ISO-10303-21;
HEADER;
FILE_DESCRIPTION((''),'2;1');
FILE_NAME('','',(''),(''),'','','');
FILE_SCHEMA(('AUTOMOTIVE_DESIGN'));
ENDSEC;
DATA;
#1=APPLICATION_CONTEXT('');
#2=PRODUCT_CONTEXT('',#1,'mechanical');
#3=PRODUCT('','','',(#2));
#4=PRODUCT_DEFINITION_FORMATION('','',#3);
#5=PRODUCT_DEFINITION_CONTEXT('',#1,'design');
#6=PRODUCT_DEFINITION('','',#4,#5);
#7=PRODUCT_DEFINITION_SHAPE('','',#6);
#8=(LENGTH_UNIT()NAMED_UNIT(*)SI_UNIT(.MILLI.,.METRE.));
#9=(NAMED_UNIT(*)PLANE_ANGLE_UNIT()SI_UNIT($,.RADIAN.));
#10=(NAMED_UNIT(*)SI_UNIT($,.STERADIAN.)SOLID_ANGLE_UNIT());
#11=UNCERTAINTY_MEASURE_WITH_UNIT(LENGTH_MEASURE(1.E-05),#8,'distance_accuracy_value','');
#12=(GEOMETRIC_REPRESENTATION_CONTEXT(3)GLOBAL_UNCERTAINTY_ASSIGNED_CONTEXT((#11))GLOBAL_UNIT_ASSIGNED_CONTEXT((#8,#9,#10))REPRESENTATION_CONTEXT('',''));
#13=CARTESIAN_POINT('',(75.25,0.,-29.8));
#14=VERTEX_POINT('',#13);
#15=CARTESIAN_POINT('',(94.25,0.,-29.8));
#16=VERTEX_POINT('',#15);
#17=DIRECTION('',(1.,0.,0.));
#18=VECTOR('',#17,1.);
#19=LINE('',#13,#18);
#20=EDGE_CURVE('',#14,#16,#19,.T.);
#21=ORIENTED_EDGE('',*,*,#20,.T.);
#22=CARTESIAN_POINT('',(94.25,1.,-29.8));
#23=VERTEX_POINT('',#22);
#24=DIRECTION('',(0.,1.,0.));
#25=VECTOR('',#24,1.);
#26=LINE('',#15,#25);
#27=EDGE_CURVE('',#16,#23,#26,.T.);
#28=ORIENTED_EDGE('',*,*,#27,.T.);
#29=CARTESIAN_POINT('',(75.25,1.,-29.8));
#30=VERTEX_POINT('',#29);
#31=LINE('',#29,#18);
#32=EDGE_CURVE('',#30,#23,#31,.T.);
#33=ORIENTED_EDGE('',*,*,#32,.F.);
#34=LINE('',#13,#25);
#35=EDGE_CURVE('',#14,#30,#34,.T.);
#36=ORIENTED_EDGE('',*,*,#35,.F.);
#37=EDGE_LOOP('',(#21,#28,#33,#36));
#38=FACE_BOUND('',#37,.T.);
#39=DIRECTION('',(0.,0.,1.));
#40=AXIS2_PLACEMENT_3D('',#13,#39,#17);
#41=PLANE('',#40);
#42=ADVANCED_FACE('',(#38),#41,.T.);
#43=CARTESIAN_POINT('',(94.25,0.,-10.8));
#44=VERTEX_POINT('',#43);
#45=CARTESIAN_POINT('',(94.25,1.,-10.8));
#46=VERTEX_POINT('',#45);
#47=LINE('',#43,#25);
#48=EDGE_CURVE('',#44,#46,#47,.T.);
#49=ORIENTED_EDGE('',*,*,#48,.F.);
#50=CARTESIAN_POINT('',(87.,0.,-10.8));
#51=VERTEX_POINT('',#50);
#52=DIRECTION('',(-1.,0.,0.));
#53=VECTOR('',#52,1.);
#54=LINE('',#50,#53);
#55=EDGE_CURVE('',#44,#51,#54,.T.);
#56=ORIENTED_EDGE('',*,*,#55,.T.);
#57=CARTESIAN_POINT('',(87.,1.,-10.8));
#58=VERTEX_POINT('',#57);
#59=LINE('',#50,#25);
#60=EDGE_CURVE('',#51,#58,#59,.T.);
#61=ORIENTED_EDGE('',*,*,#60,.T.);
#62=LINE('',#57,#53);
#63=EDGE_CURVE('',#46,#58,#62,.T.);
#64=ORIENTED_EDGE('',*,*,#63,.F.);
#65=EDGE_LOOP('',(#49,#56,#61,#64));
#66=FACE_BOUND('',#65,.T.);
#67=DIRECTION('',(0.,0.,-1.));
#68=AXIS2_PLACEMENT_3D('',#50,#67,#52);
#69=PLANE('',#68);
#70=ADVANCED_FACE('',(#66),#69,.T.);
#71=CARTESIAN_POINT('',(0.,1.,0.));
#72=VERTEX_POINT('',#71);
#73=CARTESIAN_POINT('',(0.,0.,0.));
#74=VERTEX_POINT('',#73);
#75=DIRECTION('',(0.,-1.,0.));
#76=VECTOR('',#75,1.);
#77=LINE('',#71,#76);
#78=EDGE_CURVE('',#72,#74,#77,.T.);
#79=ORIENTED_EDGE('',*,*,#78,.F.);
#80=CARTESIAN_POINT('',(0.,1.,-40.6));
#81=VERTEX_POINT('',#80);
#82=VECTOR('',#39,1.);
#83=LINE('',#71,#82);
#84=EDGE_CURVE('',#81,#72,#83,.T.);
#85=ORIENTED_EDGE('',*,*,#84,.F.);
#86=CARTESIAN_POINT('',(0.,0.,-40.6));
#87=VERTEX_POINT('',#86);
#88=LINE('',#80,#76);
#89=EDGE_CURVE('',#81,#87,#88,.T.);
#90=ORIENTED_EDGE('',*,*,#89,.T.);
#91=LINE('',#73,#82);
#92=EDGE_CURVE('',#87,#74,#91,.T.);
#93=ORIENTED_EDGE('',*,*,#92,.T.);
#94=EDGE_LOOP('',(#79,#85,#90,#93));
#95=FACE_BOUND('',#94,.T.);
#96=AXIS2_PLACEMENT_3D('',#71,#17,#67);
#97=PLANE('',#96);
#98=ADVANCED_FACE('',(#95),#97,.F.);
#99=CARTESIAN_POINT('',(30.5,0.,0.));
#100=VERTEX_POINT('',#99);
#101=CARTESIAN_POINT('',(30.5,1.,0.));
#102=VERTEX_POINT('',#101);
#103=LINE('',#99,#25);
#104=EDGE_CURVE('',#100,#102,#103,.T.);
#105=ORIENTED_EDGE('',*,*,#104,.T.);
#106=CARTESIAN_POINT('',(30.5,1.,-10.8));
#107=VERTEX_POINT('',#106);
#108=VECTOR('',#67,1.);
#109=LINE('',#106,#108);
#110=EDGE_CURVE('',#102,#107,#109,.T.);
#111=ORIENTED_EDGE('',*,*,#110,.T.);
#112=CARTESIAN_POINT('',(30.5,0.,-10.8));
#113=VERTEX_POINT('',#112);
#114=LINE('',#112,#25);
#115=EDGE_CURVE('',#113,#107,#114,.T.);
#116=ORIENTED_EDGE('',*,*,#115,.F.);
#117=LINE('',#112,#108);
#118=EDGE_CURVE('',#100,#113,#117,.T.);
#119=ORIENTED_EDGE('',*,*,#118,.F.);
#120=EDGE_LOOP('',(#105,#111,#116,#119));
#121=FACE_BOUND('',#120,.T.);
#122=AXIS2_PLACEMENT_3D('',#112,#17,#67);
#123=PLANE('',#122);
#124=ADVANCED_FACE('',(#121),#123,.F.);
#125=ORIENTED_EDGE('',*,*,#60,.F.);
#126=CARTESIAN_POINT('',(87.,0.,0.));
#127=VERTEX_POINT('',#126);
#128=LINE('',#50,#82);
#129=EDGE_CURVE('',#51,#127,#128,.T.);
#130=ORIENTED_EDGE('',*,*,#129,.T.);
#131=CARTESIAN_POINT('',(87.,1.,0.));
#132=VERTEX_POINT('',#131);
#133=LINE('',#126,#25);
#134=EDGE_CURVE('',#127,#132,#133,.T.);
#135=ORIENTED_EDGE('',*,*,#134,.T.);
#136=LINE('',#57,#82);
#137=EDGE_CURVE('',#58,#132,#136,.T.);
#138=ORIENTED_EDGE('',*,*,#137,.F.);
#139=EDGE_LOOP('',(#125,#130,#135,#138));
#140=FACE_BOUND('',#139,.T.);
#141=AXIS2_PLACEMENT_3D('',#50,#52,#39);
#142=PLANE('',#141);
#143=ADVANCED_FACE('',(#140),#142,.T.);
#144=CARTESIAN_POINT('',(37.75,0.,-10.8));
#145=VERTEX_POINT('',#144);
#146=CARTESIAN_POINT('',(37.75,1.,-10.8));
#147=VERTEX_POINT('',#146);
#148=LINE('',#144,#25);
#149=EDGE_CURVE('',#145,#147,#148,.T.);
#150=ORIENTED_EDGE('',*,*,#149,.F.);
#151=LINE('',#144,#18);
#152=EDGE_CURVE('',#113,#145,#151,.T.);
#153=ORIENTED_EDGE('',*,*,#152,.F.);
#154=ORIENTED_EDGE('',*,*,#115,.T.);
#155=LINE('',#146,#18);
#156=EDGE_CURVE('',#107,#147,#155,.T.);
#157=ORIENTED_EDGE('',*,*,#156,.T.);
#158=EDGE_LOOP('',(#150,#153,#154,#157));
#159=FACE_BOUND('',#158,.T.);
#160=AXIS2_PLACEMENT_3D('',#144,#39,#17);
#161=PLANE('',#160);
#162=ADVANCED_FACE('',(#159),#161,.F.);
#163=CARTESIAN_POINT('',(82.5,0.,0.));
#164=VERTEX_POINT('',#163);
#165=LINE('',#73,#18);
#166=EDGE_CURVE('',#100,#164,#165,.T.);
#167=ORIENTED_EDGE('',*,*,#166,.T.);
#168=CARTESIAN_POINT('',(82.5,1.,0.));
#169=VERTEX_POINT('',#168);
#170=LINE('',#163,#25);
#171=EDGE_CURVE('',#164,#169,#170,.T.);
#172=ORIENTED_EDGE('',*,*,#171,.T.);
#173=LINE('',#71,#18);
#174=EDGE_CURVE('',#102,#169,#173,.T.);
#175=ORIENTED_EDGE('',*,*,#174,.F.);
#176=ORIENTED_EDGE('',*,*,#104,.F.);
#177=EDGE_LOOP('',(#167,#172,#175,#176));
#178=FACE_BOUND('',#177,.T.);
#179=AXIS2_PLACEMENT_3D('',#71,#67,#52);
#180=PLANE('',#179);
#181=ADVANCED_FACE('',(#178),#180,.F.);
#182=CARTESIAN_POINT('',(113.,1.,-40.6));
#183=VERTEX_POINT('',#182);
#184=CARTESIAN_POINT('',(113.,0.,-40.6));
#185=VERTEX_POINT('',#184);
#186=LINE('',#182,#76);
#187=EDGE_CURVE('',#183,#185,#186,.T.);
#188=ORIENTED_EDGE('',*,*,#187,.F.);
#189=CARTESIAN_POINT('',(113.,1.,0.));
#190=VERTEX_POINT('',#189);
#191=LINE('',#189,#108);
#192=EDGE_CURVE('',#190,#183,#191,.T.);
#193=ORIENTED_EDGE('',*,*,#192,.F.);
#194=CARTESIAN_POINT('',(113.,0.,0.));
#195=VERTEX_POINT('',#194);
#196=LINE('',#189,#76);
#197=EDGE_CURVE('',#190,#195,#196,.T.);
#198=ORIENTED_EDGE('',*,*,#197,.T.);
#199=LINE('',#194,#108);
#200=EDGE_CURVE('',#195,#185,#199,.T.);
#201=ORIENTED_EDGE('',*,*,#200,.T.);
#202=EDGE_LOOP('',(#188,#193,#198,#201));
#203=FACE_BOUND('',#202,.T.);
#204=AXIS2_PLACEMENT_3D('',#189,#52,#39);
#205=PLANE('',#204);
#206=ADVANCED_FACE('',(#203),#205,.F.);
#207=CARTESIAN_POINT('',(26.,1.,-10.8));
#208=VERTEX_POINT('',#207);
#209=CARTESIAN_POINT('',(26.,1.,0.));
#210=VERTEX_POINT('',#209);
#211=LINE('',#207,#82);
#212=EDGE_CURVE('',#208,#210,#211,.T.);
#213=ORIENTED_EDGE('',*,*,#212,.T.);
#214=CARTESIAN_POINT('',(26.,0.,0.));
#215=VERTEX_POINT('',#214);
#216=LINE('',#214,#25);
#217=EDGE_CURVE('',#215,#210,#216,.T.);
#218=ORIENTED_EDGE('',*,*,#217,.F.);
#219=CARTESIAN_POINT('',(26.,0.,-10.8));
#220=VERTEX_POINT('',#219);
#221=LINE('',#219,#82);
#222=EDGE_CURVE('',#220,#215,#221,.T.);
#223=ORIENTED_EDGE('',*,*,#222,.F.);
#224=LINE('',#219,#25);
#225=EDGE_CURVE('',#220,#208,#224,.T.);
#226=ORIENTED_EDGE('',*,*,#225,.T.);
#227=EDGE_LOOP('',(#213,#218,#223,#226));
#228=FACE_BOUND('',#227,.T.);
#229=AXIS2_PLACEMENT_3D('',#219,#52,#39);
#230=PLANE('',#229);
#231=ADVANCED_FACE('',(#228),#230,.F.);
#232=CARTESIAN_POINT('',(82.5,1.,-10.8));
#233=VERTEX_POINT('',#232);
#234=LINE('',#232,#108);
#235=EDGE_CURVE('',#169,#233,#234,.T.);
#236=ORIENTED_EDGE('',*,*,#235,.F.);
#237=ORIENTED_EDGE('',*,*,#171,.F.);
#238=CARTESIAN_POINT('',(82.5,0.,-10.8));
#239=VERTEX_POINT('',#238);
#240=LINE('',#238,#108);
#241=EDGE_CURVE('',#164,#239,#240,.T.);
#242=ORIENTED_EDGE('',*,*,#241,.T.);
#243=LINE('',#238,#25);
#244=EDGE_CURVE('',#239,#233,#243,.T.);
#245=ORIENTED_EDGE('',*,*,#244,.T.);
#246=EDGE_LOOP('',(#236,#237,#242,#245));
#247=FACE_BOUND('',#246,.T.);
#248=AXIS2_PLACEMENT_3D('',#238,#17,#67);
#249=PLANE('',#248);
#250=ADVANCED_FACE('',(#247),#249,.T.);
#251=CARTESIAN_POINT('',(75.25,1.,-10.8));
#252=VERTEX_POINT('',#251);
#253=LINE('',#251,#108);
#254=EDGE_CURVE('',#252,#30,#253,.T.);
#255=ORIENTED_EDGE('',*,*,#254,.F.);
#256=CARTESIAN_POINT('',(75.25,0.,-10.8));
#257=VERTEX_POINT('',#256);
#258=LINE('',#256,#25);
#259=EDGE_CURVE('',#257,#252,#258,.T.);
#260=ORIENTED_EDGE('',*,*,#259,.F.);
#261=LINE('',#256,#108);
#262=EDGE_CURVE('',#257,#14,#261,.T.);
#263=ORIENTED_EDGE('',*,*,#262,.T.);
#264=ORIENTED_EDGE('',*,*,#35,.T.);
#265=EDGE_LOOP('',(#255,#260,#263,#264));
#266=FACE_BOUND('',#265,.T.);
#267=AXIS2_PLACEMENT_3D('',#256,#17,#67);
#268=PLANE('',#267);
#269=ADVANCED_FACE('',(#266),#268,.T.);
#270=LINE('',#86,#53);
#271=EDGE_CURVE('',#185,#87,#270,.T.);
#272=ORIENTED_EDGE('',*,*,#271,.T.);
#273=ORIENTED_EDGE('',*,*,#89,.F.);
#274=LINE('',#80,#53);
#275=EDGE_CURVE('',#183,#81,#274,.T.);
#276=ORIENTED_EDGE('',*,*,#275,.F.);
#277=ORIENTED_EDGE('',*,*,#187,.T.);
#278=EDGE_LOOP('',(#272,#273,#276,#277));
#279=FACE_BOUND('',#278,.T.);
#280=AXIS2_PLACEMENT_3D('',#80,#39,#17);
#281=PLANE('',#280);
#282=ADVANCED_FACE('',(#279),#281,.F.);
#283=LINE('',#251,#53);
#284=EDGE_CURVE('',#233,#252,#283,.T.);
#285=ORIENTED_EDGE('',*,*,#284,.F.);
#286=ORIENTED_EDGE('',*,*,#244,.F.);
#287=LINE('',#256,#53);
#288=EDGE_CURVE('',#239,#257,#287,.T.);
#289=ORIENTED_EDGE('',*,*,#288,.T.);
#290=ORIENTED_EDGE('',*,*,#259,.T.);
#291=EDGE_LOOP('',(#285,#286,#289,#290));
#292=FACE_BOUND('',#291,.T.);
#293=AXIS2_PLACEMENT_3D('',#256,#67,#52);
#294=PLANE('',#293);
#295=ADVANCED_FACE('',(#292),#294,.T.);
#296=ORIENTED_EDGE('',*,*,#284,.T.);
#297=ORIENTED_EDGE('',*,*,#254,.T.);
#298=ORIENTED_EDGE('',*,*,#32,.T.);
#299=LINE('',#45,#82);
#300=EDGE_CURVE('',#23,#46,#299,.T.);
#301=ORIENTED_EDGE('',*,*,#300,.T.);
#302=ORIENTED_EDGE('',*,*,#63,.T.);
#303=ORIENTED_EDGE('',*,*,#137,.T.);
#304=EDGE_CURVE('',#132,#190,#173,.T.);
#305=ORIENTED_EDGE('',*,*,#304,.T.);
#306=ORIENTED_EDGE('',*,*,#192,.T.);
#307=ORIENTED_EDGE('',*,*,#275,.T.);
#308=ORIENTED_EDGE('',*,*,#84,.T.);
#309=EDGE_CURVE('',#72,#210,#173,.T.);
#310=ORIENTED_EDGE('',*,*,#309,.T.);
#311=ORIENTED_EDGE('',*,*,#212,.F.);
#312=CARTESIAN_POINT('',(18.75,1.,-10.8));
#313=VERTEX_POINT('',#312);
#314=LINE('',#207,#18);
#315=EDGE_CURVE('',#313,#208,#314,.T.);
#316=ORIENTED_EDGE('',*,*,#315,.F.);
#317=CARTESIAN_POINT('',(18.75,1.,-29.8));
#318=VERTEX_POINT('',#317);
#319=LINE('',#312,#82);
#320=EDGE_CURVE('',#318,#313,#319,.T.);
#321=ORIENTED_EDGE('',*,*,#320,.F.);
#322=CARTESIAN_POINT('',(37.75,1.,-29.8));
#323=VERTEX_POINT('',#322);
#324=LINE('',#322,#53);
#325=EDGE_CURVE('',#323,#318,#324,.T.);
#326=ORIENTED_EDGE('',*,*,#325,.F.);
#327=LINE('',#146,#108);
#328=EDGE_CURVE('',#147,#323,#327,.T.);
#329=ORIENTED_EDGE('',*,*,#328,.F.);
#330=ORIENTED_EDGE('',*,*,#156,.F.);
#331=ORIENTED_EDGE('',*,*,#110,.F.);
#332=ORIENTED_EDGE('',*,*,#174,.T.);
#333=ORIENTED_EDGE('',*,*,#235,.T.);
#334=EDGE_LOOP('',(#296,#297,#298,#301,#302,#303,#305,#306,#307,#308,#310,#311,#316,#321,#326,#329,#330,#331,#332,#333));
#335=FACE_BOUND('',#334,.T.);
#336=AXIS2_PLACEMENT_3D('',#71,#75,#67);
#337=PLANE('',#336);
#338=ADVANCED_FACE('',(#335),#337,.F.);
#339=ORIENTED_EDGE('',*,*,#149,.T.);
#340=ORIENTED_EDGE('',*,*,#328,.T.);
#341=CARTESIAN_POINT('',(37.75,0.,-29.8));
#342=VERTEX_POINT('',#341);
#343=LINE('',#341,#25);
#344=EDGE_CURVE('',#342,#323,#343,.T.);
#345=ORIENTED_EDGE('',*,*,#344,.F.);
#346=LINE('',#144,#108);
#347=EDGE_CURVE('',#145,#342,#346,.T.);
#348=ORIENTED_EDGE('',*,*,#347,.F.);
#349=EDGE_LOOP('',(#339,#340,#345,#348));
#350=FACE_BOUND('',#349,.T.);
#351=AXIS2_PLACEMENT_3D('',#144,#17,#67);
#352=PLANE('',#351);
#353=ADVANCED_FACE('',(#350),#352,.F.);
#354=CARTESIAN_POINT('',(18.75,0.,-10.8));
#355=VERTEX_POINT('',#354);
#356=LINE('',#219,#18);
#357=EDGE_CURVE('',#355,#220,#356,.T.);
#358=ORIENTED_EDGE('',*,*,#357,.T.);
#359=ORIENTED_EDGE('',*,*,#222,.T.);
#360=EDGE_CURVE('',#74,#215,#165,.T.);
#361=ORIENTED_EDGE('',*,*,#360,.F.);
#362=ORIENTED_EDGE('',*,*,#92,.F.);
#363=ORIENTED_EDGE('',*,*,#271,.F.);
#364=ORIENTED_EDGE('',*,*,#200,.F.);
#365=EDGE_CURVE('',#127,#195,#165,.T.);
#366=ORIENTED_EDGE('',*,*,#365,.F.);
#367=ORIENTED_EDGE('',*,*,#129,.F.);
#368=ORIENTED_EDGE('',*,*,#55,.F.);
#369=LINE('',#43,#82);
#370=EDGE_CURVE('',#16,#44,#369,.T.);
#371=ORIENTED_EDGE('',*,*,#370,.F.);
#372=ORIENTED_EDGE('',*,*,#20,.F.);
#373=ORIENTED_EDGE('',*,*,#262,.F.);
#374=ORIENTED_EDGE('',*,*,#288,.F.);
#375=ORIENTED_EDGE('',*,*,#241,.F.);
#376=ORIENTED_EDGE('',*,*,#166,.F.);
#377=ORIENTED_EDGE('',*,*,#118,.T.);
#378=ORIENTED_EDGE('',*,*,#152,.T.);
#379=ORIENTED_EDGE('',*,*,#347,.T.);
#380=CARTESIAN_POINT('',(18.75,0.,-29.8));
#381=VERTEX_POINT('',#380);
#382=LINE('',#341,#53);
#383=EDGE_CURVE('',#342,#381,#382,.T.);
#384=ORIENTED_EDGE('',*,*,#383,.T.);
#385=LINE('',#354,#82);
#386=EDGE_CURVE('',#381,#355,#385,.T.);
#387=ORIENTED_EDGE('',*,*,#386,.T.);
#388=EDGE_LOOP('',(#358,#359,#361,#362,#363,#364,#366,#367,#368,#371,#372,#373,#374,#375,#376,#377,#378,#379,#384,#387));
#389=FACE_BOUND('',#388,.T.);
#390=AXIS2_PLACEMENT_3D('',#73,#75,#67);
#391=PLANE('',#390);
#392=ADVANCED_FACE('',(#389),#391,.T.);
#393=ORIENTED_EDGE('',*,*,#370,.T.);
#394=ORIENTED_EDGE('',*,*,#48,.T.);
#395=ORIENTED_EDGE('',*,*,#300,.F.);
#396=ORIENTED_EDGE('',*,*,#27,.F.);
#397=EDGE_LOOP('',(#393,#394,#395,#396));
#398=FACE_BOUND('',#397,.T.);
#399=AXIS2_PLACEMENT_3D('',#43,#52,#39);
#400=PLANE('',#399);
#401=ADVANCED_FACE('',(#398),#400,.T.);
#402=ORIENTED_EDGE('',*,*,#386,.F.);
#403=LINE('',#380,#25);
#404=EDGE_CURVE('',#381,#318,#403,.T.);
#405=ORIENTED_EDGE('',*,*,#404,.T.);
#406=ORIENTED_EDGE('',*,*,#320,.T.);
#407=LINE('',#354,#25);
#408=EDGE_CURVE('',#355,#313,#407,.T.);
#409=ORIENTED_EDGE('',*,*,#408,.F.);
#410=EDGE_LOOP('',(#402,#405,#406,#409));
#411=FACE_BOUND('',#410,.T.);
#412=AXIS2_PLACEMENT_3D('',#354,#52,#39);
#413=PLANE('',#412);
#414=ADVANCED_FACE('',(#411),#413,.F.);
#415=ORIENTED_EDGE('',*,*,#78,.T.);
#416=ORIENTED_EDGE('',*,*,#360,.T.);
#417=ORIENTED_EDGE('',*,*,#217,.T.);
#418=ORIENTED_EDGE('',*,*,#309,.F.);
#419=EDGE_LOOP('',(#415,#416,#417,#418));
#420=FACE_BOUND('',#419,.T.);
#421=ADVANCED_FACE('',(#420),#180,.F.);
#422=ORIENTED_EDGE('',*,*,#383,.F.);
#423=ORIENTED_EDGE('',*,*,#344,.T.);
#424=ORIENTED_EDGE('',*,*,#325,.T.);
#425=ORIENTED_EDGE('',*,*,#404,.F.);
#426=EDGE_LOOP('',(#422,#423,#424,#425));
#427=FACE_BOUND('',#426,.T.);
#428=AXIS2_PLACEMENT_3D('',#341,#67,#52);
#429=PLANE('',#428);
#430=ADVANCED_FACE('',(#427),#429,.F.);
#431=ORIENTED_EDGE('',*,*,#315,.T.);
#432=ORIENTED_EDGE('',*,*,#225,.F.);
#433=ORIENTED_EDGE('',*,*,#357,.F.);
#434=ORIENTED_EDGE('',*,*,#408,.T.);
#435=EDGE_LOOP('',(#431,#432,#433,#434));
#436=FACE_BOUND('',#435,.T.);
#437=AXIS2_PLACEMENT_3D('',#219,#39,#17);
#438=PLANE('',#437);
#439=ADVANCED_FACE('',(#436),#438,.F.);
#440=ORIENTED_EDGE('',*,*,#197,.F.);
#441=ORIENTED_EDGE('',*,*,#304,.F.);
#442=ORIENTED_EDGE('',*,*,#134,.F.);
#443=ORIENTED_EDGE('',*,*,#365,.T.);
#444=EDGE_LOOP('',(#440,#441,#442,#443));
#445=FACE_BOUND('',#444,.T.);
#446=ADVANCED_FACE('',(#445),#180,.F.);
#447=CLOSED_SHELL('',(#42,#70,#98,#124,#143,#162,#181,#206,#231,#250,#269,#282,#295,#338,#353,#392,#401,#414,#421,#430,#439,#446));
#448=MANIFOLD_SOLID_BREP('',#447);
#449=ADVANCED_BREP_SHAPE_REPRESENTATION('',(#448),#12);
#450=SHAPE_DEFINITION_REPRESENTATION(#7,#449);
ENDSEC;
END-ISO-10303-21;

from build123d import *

# Parameters (mm, degrees)
SKETCH1_W           = 113
SKETCH1_H           = 40.6
BOSS_EXTRUDE1_DEPTH = 1
CUT_EXTRUDE1_DEPTH  = 121.076475631


with BuildPart() as part:
    # Sketch1 → Boss-Extrude1 (new body)
    with BuildSketch(Plane(origin=(0, 0, 0), x_dir=(1, 0, 0), z_dir=(0, 1, 0))):
        with Locations((56.5, 20.3)):
            Rectangle(SKETCH1_W, SKETCH1_H)
    extrude(amount=BOSS_EXTRUDE1_DEPTH)

    # Sketch2 → Cut-Extrude1 (cut, through all)
    with BuildSketch(Plane(origin=(0, 1, 0), x_dir=(1, 0, 0), z_dir=(0, 1, 0))):
        Polygon((37.75, 10.8), (30.5, 10.8), (30.5, 0), (26, 0), (26, 10.8), (18.75, 10.8), (18.75, 29.8), (37.75, 29.8), align=None)
    cut_extrude1 = extrude(amount=-CUT_EXTRUDE1_DEPTH, mode=Mode.SUBTRACT)

    # Mirror1: Cut-Extrude1 across plane
    add(cut_extrude1.mirror(Plane.ZY.offset(-56.5)), mode=Mode.SUBTRACT)


solid = part.part
